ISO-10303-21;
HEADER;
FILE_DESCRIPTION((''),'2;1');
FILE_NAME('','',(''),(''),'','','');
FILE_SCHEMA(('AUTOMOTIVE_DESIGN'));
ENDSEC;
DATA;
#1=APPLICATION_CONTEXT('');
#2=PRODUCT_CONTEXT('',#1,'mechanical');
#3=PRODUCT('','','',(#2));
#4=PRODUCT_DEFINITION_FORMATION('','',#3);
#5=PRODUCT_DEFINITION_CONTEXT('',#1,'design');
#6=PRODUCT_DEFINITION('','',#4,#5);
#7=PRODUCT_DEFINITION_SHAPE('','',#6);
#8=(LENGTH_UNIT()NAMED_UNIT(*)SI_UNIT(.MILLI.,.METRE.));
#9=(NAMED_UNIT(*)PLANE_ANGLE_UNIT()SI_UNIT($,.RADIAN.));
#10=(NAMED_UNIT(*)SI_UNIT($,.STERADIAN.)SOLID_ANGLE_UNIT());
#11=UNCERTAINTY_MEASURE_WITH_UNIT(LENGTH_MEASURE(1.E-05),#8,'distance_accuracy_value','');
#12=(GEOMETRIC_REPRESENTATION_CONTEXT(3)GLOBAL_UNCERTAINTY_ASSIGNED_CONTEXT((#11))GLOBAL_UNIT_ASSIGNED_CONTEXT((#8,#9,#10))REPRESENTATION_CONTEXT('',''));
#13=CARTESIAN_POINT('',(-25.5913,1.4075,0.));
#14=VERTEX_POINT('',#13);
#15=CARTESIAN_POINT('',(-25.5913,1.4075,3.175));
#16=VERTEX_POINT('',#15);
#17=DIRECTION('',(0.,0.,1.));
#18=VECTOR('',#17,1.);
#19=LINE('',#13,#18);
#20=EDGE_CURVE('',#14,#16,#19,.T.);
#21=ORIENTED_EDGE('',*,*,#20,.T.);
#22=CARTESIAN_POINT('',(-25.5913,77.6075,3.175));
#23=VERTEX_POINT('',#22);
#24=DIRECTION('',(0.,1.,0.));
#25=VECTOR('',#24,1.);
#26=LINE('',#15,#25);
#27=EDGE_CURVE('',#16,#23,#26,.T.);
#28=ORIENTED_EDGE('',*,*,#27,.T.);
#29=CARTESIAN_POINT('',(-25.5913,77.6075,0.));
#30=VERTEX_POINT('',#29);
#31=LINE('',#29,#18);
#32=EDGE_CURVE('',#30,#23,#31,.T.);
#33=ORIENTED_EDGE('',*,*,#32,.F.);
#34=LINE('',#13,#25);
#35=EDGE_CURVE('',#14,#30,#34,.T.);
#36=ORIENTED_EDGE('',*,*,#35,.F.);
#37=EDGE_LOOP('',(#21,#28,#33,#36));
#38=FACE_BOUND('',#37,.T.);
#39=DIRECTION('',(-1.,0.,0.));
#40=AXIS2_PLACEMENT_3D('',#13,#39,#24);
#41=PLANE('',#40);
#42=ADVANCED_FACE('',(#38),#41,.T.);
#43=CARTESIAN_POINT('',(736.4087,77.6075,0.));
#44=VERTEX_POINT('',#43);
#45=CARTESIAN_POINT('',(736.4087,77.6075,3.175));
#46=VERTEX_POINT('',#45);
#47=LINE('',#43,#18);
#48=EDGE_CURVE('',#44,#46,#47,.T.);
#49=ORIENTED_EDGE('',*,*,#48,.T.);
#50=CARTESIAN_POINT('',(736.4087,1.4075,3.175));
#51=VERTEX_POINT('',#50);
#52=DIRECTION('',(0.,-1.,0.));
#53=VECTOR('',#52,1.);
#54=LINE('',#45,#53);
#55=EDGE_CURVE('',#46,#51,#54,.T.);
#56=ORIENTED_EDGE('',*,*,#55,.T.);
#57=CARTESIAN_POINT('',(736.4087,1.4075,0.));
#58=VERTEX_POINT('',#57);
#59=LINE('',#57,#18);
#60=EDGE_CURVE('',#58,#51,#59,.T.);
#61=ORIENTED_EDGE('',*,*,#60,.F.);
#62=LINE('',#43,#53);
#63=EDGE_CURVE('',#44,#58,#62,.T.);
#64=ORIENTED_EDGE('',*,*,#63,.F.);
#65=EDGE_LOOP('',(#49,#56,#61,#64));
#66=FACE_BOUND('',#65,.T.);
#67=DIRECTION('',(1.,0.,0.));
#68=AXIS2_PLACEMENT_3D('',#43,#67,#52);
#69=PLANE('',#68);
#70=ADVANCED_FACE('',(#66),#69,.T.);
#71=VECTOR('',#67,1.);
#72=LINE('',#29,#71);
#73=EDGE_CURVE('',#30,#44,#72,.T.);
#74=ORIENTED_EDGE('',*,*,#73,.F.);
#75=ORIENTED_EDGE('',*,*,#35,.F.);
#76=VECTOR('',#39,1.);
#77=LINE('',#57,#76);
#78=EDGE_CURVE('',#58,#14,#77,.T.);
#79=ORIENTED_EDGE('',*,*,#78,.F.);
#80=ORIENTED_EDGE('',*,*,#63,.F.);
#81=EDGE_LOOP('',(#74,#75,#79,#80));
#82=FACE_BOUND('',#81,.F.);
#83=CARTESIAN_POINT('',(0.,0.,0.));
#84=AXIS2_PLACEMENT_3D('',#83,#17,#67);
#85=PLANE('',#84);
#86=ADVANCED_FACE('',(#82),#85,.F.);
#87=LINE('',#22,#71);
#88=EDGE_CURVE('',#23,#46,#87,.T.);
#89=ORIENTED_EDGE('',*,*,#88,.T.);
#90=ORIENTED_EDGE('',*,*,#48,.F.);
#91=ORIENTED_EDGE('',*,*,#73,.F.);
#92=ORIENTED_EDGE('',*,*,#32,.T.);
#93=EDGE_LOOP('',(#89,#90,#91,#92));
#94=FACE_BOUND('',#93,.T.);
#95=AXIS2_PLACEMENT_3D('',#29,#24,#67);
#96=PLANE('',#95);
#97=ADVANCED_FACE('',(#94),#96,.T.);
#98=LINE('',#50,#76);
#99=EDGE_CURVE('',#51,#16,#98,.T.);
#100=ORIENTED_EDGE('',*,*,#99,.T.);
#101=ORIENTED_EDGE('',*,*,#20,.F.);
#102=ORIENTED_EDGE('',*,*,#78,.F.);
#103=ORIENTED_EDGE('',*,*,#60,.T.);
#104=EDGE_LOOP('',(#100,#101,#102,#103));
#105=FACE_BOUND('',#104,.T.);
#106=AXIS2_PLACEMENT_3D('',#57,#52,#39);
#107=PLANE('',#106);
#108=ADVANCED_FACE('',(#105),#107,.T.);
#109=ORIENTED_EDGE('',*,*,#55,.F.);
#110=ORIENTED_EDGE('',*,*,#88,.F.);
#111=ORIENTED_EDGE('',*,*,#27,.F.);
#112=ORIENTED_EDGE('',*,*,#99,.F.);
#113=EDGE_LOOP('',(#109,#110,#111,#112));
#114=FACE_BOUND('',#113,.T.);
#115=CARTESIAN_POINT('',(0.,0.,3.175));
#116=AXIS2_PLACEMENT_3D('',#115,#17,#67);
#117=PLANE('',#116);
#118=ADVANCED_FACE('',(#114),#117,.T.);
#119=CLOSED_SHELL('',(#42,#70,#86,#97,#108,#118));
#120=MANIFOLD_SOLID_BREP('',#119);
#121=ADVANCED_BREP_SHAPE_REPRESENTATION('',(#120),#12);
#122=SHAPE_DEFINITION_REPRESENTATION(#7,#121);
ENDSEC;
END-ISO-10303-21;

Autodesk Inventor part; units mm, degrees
ref_plane "YZ Plane" through (0, 0, 0) normal (1, 0, 0) x (0, 1, 0)
ref_plane "XZ Plane" through (0, 0, 0) normal (0, 1, 0) x (-1, 0, 0)
ref_plane "XY Plane" through (0, 0, 0) normal (0, 0, 1) x (1, 0, 0)
sketch "Sketch1" plane through (0, 0, 0) normal (0, 0, 1) x (1, 0, 0)
  line L0 (-25.5913, 77.6075) -> (736.4087, 77.6075)
  line L1 (736.4087, 77.6075) -> (736.4087, 1.4075)
  line L2 (736.4087, 1.4075) -> (-25.5913, 1.4075)
  line L3 (-25.5913, 1.4075) -> (-25.5913, 77.6075)
  point P0 (0, 0)
  dimension "d0" = 762
  dimension "d1" = 76.2
extrude "Extrusion1" add sketch "Sketch1" along normal blind 3.175
properties part number "Side Shield"
